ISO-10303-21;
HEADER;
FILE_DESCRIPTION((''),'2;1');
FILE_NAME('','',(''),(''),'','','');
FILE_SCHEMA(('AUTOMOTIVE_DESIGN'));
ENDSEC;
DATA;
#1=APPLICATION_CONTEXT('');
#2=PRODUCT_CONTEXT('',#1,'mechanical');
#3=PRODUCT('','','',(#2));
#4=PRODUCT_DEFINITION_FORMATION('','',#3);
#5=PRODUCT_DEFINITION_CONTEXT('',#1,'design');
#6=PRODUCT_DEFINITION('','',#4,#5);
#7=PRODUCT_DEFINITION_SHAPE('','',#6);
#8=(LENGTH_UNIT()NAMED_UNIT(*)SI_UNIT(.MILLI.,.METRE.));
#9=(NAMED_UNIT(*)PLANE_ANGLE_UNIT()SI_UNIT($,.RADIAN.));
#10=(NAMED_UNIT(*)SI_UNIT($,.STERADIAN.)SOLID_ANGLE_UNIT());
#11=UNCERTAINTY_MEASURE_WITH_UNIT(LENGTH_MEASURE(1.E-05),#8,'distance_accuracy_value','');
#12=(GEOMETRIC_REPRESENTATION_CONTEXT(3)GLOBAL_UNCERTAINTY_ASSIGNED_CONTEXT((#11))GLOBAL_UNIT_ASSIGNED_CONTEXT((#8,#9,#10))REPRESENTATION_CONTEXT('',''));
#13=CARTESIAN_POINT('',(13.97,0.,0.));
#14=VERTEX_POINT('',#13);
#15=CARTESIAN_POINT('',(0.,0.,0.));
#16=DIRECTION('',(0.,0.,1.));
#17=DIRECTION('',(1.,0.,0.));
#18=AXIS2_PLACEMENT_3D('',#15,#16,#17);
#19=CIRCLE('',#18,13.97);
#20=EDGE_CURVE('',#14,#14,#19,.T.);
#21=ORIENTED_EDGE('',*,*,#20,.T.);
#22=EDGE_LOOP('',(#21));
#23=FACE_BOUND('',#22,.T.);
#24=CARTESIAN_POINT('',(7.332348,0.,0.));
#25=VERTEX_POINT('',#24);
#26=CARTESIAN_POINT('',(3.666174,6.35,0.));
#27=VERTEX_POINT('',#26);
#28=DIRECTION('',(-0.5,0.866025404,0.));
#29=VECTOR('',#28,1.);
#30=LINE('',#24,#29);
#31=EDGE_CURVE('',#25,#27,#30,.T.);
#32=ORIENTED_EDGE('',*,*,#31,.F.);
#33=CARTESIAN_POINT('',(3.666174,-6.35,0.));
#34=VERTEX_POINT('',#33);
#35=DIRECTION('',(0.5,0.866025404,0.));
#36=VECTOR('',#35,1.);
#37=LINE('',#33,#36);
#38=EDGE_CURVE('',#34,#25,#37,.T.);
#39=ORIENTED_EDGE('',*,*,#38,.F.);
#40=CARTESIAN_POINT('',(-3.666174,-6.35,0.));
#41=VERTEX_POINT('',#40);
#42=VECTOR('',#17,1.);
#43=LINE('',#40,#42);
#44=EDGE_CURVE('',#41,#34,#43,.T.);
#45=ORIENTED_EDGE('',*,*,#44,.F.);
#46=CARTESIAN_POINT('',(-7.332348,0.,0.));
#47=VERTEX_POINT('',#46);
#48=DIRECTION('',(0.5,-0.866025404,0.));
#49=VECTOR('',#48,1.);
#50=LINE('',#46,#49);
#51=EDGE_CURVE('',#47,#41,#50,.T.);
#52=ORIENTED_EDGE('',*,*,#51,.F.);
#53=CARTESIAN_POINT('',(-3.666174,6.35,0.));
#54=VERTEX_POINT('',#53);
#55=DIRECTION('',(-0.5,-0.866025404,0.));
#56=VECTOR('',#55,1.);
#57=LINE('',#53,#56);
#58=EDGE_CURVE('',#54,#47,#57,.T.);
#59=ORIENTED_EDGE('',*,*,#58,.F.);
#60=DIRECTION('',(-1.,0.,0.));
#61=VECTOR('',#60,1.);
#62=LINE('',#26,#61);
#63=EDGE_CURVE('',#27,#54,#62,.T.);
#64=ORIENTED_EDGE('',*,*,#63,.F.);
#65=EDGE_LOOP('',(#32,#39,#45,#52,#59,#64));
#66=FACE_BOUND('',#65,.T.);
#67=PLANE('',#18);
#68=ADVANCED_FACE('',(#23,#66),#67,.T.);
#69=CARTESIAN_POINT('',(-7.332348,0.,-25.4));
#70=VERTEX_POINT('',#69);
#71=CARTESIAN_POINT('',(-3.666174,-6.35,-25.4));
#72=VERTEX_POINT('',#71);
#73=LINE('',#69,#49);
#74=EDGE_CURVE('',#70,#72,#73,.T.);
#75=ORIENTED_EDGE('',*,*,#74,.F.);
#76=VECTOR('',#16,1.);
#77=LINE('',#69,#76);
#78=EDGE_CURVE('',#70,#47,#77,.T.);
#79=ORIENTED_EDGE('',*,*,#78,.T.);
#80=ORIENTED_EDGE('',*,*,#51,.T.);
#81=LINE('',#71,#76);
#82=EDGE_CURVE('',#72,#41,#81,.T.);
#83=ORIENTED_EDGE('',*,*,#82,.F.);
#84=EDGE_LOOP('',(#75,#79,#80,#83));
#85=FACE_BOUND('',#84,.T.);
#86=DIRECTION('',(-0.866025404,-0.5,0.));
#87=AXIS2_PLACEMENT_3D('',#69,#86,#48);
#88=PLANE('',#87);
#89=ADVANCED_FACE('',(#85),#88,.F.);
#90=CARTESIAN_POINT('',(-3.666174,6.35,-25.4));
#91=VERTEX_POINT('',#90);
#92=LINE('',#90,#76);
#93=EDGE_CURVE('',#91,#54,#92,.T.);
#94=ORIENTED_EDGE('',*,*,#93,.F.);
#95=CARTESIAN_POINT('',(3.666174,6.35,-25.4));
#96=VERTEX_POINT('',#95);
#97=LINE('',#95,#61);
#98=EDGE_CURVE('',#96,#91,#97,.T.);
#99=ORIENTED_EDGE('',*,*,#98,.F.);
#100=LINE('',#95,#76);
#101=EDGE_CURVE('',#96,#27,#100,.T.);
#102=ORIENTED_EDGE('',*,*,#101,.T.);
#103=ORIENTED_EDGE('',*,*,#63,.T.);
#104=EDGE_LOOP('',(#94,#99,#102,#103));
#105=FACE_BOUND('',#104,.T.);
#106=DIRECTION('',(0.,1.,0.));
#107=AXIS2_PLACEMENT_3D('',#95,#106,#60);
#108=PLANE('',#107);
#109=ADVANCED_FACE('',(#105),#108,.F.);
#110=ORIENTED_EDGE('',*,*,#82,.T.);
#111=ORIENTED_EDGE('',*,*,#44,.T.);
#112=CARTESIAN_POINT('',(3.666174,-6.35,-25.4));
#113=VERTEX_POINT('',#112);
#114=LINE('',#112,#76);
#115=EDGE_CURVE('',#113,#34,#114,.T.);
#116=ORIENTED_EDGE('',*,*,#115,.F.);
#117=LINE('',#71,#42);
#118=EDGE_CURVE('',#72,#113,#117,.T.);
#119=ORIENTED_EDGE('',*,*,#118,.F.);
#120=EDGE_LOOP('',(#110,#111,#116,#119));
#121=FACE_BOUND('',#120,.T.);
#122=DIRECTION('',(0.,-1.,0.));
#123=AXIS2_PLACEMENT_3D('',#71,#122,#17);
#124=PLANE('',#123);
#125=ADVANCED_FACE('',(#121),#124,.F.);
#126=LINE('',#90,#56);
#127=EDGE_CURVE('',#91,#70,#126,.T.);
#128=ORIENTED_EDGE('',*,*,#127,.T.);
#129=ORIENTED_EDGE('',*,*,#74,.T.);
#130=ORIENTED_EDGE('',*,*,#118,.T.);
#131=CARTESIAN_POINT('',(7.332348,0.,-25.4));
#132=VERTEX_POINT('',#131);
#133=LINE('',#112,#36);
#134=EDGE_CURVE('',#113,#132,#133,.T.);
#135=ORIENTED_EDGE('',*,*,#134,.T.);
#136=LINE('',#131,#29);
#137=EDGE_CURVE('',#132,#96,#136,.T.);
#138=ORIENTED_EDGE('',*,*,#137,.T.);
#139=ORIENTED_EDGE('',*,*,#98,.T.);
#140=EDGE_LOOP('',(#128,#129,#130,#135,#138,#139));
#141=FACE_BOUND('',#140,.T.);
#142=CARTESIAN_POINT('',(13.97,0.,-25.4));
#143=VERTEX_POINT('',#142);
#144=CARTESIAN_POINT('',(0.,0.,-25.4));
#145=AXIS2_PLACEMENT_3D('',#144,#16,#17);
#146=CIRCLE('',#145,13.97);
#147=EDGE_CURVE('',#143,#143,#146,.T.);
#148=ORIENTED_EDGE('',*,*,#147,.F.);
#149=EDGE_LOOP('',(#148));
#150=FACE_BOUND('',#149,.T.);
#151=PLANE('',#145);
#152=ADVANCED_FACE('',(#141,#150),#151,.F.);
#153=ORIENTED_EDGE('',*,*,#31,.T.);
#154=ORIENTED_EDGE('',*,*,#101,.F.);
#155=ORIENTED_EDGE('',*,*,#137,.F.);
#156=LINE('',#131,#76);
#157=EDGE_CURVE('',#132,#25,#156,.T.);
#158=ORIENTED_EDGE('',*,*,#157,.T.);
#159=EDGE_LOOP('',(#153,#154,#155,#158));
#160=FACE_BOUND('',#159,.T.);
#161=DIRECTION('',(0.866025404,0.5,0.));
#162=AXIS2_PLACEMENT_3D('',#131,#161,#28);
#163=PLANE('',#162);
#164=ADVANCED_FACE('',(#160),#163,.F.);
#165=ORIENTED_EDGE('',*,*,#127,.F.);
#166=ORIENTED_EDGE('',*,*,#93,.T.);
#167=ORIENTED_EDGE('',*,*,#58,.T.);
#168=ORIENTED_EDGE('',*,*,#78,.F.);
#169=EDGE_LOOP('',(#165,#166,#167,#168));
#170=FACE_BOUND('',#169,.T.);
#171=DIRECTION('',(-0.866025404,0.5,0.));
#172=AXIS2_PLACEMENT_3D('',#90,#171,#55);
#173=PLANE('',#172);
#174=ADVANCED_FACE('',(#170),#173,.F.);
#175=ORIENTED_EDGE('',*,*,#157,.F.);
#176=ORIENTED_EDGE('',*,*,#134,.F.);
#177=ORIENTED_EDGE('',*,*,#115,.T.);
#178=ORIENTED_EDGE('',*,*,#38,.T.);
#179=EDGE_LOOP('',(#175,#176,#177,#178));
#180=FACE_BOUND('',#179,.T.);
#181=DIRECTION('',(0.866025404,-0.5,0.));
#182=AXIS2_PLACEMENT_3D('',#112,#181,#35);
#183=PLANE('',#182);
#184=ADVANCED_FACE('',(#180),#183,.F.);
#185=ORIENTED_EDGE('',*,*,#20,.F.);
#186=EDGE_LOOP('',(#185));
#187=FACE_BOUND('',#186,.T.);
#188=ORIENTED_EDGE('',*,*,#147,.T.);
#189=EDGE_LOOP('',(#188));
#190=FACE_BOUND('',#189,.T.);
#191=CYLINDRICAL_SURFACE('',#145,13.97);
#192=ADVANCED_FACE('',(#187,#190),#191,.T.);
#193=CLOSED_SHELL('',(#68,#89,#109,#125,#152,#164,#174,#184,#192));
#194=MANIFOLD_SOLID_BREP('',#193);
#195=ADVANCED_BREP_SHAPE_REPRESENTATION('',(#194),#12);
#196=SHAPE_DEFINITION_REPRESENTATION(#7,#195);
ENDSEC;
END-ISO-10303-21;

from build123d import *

# Parameters (mm, degrees)
SKETCH2_R           = 13.97
BOSS_EXTRUDE1_DEPTH = 25.4


with BuildPart() as part:
    # Sketch2 → Boss-Extrude1 (new body)
    with BuildSketch(Plane.XY):
        Circle(SKETCH2_R)
        Polygon((-3.666174209, 6.35), (-7.332348419, 0), (-3.666174209, -6.35), (3.666174209, -6.35), (7.332348419, 0), (3.666174209, 6.35), align=None, mode=Mode.SUBTRACT)
    extrude(amount=-BOSS_EXTRUDE1_DEPTH)


solid = part.part
